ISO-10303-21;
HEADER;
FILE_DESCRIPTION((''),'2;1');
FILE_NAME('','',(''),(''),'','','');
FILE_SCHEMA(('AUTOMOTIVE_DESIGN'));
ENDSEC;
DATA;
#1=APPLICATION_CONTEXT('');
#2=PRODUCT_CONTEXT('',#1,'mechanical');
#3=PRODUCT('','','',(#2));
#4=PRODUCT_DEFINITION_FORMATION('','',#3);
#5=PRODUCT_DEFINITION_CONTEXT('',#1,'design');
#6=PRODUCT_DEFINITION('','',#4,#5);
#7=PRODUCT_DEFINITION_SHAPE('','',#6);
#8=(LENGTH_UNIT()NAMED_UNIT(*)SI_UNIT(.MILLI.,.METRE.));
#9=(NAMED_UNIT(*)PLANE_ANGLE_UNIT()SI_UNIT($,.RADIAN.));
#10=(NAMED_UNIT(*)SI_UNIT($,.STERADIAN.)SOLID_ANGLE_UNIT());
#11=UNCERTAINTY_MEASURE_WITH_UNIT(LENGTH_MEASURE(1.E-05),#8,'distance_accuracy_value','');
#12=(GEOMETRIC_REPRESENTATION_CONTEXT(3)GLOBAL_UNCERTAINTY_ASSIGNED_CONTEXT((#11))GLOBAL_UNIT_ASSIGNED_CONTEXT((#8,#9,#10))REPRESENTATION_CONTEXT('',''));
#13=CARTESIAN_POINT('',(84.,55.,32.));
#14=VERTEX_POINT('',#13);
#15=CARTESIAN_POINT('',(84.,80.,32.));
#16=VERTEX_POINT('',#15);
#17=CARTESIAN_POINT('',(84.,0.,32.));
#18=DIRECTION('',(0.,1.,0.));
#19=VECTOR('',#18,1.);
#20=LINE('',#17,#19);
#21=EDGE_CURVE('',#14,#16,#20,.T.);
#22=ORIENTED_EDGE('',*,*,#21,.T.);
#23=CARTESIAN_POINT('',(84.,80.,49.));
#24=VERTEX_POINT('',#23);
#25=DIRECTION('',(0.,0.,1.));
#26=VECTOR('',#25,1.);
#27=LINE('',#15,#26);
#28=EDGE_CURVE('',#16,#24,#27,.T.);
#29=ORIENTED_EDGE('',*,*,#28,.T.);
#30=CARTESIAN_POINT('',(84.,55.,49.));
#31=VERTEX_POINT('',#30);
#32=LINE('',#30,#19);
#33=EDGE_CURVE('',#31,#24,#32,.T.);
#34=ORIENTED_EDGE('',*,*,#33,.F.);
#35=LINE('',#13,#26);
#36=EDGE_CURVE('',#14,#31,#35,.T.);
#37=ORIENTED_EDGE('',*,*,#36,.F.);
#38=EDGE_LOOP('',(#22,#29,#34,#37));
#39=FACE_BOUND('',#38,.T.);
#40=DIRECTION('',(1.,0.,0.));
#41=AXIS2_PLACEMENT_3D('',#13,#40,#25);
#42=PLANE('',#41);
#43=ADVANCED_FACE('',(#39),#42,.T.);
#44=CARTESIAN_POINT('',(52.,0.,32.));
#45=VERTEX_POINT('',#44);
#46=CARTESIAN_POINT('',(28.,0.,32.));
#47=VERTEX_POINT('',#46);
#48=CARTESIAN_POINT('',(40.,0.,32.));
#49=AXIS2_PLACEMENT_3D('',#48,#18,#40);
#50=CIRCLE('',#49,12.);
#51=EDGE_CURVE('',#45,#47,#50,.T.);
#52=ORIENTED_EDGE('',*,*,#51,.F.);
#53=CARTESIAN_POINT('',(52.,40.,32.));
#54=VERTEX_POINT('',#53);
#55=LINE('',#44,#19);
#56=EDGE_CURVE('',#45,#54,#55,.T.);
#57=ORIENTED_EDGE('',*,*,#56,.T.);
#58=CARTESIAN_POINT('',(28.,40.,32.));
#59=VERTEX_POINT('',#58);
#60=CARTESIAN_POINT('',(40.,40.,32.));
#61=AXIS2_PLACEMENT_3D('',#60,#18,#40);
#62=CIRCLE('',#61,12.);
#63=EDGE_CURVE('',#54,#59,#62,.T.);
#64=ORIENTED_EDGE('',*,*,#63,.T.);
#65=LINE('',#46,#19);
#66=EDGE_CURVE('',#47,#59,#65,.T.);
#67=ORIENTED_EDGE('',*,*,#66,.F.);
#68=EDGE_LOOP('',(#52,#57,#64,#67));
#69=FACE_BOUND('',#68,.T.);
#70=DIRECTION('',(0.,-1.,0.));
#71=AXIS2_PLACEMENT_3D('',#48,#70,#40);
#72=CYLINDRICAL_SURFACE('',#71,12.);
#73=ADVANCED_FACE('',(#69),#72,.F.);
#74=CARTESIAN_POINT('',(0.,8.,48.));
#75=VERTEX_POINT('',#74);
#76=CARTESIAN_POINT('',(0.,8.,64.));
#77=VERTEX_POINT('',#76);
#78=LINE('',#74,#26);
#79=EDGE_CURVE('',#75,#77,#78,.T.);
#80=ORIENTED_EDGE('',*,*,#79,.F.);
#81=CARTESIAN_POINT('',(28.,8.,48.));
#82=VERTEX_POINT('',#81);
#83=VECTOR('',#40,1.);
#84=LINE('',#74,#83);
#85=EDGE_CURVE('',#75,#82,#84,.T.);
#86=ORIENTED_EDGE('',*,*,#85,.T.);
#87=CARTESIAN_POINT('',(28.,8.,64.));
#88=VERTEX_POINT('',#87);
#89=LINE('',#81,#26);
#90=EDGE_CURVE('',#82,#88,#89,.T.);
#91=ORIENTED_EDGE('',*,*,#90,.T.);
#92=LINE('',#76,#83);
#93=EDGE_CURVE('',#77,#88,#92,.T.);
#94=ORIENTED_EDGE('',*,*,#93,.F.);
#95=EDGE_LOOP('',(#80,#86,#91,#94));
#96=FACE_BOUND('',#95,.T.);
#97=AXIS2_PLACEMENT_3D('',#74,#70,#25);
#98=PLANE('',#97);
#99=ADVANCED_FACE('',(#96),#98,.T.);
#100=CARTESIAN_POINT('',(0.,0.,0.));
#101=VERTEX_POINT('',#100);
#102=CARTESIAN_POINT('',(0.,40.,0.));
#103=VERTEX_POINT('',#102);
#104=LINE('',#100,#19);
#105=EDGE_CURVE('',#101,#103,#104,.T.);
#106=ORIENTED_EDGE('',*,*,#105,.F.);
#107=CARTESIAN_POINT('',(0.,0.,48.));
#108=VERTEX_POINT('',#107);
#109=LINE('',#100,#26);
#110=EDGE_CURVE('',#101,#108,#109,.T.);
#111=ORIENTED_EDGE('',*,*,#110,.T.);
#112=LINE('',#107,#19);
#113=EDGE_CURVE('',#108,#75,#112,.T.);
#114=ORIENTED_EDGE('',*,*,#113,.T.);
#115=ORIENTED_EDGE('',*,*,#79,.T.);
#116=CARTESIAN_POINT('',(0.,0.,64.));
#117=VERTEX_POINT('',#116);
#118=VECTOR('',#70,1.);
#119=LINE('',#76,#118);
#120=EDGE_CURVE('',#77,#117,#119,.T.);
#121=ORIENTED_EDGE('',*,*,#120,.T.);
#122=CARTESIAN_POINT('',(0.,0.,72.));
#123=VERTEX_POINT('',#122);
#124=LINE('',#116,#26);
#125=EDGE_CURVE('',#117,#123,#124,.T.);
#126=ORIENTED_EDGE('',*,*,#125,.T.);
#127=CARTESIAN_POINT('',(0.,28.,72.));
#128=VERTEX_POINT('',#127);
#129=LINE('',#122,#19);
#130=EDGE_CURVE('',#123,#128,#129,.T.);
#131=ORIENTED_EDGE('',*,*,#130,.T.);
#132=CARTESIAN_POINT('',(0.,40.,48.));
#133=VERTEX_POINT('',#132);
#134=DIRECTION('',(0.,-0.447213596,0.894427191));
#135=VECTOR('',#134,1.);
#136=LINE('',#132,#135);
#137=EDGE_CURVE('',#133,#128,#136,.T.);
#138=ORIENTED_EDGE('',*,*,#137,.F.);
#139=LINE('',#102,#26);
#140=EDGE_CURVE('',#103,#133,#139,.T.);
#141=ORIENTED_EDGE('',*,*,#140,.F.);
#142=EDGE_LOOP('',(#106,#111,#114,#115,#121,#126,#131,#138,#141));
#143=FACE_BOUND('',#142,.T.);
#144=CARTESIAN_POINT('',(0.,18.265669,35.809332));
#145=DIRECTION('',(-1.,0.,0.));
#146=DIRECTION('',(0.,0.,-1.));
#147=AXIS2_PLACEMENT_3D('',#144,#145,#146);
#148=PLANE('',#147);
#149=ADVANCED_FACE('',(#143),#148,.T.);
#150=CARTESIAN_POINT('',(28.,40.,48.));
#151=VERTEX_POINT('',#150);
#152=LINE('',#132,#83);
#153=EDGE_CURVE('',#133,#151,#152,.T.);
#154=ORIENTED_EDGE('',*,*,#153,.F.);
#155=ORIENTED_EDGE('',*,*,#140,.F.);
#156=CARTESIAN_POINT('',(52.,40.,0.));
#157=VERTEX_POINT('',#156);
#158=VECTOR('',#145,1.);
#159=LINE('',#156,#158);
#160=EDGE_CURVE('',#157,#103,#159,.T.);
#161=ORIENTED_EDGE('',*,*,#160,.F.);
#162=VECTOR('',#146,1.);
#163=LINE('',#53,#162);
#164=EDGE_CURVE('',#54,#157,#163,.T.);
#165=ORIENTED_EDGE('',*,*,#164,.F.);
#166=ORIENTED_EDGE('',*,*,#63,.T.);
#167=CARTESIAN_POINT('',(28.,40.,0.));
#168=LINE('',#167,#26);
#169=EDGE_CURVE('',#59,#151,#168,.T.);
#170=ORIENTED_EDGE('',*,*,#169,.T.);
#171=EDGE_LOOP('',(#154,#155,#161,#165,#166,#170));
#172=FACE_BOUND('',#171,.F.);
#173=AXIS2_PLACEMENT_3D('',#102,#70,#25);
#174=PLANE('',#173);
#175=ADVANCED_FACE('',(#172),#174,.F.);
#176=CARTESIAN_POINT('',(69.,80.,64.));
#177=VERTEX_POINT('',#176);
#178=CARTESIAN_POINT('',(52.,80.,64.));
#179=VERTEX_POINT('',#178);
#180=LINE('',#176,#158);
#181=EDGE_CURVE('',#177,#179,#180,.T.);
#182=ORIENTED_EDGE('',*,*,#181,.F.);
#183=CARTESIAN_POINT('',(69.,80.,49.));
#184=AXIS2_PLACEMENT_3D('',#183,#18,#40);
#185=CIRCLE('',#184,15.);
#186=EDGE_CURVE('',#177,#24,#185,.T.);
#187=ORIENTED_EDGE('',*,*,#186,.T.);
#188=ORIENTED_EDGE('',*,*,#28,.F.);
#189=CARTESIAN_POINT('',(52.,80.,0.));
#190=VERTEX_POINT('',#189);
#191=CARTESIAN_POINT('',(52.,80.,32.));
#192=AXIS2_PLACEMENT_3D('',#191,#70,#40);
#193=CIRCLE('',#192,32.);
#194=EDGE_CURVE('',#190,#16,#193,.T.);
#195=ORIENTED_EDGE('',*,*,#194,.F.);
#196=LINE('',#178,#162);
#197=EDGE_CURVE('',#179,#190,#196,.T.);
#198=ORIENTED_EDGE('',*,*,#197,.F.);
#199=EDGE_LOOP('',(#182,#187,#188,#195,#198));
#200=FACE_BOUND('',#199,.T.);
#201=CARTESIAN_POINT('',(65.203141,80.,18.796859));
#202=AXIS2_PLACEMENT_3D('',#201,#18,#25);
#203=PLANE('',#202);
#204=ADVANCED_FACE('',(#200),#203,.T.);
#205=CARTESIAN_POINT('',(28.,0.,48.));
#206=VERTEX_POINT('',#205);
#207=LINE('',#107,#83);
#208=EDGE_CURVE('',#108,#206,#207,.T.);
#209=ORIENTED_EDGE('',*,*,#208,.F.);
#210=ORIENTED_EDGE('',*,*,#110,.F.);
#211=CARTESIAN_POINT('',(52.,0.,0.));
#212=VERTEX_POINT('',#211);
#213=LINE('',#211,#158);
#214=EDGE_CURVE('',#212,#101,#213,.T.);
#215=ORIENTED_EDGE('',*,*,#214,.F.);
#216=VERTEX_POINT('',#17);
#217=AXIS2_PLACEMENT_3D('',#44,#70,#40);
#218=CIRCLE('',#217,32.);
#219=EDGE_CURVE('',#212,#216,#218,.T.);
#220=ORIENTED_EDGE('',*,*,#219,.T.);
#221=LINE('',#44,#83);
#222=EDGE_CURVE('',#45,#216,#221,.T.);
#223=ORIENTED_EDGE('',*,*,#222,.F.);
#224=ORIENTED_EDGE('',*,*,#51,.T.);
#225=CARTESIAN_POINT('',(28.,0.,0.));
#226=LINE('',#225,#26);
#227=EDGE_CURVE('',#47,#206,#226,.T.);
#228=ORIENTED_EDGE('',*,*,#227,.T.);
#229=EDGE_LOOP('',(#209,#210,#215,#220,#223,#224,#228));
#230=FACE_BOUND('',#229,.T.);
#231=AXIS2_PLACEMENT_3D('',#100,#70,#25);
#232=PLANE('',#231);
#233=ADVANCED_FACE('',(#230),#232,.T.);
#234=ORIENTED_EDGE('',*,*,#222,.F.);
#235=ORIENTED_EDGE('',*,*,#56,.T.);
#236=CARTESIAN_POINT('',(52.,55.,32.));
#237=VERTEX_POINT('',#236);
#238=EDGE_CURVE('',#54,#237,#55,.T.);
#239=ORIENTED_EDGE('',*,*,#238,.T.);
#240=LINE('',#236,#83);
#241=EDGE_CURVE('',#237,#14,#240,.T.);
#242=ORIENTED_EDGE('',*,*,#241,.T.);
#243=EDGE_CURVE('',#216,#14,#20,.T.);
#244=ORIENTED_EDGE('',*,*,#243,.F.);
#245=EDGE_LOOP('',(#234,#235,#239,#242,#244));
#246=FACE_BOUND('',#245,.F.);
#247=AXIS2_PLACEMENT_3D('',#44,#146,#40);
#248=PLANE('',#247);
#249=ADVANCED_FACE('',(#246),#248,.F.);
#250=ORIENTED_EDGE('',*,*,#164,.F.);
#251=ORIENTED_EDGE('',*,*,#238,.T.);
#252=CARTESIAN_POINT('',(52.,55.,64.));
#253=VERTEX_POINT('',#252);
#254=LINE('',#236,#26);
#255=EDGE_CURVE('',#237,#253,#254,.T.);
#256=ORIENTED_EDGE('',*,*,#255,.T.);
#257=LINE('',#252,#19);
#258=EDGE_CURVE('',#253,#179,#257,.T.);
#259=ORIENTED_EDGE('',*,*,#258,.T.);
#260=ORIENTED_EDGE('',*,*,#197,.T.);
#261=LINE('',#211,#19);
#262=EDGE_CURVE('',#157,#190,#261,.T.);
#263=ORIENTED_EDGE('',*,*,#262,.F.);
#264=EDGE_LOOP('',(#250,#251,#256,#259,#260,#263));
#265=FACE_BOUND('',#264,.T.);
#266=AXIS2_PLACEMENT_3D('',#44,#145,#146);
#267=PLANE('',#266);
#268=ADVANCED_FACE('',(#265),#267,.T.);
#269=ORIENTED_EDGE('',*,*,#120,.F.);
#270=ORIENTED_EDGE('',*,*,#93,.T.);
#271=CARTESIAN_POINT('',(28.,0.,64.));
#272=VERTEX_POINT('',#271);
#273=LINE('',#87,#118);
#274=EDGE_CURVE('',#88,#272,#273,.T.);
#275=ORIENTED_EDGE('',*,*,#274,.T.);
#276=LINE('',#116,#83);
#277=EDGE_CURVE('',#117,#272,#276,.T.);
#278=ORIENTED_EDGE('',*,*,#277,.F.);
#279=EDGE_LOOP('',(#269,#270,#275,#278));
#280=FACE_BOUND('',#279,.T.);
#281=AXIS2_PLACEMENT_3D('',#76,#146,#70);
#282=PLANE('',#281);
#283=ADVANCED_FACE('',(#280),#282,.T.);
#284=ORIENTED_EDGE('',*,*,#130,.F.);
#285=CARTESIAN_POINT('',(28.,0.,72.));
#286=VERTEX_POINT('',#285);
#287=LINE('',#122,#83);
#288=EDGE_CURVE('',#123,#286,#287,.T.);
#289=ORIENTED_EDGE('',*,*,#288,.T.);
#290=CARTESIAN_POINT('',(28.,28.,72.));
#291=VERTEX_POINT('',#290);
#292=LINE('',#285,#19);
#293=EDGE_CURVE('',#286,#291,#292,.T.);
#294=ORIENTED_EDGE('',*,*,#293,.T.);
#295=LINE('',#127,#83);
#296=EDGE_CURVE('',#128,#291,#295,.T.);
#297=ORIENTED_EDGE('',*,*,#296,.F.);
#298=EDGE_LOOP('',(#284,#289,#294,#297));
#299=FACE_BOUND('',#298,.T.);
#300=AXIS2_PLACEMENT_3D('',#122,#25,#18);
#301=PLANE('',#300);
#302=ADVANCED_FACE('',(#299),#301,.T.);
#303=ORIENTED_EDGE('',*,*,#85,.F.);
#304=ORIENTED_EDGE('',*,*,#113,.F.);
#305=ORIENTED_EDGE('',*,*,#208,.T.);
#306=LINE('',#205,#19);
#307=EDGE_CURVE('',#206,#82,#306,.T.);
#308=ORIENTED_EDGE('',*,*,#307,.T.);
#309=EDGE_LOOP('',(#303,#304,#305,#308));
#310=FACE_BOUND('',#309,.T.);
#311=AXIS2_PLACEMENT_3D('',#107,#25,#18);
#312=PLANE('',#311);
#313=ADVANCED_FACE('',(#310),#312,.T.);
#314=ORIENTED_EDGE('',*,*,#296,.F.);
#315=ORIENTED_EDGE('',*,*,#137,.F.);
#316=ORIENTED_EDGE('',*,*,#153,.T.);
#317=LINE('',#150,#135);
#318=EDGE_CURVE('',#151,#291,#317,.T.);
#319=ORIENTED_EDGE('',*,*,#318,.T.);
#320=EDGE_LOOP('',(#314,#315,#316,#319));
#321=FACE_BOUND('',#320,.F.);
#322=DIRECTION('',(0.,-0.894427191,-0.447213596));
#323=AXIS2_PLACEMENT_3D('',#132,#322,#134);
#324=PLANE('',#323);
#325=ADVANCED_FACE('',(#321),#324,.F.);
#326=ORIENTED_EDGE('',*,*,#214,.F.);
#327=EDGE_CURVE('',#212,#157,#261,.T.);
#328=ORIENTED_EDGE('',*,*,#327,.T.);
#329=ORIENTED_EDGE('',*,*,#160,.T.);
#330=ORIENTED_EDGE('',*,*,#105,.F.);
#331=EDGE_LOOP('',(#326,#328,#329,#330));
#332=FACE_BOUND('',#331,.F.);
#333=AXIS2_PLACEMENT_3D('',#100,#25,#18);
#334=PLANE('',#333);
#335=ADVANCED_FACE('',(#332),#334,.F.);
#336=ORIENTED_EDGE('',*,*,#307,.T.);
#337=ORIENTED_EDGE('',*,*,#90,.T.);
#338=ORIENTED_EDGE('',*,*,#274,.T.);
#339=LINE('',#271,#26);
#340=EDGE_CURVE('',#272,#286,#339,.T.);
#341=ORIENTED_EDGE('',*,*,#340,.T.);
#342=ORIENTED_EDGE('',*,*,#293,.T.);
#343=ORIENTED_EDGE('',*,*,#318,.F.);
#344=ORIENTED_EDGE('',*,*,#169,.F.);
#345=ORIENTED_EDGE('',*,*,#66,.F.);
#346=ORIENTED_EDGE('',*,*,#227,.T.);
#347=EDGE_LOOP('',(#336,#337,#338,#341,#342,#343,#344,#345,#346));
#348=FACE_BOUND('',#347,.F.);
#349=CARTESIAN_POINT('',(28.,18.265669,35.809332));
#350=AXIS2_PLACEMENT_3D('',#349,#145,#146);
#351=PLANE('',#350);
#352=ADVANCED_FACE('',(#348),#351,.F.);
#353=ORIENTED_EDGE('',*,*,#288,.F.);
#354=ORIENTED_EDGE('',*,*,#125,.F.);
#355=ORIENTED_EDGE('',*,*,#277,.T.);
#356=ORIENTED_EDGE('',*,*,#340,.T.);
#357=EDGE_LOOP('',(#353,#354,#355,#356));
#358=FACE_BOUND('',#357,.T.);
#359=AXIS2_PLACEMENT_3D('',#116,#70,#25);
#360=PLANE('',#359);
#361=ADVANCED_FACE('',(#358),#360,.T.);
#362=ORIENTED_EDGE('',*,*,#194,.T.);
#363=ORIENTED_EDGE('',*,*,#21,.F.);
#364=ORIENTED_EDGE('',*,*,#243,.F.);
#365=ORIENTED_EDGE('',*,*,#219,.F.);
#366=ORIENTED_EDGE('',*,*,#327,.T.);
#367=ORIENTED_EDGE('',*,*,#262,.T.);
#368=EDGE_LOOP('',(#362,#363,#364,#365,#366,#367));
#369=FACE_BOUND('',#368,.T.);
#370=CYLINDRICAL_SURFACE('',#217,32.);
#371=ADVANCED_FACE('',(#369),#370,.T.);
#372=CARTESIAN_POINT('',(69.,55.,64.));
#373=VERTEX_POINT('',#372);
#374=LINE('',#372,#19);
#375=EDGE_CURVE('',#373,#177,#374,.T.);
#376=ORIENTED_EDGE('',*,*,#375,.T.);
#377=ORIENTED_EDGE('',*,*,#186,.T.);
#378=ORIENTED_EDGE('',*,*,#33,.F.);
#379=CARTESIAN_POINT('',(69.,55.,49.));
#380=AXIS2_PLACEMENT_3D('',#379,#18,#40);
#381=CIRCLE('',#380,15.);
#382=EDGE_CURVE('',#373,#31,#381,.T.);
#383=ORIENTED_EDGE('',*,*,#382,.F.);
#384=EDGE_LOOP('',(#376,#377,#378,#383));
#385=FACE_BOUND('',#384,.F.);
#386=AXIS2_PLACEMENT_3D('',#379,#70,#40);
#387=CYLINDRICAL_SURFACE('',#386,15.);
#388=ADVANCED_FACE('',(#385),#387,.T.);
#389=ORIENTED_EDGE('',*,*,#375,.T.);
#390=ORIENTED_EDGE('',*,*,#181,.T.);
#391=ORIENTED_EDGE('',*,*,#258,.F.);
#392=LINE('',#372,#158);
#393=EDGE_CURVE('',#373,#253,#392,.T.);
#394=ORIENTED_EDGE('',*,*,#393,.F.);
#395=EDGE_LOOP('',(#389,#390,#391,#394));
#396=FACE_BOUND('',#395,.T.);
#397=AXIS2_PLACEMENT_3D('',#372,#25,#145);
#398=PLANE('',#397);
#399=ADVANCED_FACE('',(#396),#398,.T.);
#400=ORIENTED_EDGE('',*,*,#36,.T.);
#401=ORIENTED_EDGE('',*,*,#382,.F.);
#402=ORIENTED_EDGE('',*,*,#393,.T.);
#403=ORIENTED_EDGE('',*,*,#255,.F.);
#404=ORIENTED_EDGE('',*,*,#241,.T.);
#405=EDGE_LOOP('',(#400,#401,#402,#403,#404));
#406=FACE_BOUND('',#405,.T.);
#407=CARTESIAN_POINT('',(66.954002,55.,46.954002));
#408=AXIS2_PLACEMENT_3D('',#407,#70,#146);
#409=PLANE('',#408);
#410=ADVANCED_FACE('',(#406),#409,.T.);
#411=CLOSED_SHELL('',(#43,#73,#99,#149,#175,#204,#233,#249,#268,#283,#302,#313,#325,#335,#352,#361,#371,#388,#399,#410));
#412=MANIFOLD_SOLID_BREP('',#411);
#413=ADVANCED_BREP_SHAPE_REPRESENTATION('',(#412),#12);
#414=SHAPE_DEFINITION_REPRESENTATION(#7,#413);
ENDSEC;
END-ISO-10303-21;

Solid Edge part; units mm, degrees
sketch "Sketch1" plane through (0, 0, 0) normal (1, 0, 0) x (0, 1, 0)
  line L0 (8, 64) -> (0, 64)
  line L1 (0, 64) -> (0, 72)
  line L2 (0, 72) -> (28, 72)
  line L3 (40, 48) -> (28, 72)
  line L4 (40, 0) -> (40, 48)
  line L5 (0, 0) -> (40, 0)
  line L6 (0, 0) -> (0, 48)
  line L7 (0, 48) -> (8, 48)
  line L8 (8, 48) -> (8, 64)
extrude "Protrusion1" add sketch "Sketch1" along normal blind 28
sketch "Sketch2" plane through (14, 0, 24) normal (0, -1, 0) x (1, 0, 0)
  line L0 (14, -24) -> (14, 8)
  line L1 (14, -24) -> (38, -24)
  line L2 (38, 8) -> (38, -24)
  arc A0 (38, 8) -> (14, 8) centre (26, 8) cw
extrude "ExtrudedProtrusion_3" add sketch "Sketch2" against normal blind 40
sketch "Sketch3" plane through (14, 0, 24) normal (0, -1, 0) x (1, 0, 0)
  line L0 (38, 8) -> (70, 8)
  arc A0 (38, -24) -> (70, 8) centre (38, 8) ccw
  line L1 (38, 8) -> (38, -24)
extrude "ExtrudedProtrusion_4" add sketch "Sketch3" against normal blind 80
sketch "Sketch4" plane through (42, 55, 24) normal (0, -1, 0) x (1, 0, 0)
  line L0 (27, 40) -> (10, 40)
  line L1 (10, 8) -> (10, 40)
  line L2 (10, 8) -> (42, 8)
  line L3 (42, 8) -> (42, 25)
  arc A0 (27, 40) -> (42, 25) centre (27, 25) cw
extrude "ExtrudedProtrusion_5" add sketch "Sketch4" against normal blind 25
